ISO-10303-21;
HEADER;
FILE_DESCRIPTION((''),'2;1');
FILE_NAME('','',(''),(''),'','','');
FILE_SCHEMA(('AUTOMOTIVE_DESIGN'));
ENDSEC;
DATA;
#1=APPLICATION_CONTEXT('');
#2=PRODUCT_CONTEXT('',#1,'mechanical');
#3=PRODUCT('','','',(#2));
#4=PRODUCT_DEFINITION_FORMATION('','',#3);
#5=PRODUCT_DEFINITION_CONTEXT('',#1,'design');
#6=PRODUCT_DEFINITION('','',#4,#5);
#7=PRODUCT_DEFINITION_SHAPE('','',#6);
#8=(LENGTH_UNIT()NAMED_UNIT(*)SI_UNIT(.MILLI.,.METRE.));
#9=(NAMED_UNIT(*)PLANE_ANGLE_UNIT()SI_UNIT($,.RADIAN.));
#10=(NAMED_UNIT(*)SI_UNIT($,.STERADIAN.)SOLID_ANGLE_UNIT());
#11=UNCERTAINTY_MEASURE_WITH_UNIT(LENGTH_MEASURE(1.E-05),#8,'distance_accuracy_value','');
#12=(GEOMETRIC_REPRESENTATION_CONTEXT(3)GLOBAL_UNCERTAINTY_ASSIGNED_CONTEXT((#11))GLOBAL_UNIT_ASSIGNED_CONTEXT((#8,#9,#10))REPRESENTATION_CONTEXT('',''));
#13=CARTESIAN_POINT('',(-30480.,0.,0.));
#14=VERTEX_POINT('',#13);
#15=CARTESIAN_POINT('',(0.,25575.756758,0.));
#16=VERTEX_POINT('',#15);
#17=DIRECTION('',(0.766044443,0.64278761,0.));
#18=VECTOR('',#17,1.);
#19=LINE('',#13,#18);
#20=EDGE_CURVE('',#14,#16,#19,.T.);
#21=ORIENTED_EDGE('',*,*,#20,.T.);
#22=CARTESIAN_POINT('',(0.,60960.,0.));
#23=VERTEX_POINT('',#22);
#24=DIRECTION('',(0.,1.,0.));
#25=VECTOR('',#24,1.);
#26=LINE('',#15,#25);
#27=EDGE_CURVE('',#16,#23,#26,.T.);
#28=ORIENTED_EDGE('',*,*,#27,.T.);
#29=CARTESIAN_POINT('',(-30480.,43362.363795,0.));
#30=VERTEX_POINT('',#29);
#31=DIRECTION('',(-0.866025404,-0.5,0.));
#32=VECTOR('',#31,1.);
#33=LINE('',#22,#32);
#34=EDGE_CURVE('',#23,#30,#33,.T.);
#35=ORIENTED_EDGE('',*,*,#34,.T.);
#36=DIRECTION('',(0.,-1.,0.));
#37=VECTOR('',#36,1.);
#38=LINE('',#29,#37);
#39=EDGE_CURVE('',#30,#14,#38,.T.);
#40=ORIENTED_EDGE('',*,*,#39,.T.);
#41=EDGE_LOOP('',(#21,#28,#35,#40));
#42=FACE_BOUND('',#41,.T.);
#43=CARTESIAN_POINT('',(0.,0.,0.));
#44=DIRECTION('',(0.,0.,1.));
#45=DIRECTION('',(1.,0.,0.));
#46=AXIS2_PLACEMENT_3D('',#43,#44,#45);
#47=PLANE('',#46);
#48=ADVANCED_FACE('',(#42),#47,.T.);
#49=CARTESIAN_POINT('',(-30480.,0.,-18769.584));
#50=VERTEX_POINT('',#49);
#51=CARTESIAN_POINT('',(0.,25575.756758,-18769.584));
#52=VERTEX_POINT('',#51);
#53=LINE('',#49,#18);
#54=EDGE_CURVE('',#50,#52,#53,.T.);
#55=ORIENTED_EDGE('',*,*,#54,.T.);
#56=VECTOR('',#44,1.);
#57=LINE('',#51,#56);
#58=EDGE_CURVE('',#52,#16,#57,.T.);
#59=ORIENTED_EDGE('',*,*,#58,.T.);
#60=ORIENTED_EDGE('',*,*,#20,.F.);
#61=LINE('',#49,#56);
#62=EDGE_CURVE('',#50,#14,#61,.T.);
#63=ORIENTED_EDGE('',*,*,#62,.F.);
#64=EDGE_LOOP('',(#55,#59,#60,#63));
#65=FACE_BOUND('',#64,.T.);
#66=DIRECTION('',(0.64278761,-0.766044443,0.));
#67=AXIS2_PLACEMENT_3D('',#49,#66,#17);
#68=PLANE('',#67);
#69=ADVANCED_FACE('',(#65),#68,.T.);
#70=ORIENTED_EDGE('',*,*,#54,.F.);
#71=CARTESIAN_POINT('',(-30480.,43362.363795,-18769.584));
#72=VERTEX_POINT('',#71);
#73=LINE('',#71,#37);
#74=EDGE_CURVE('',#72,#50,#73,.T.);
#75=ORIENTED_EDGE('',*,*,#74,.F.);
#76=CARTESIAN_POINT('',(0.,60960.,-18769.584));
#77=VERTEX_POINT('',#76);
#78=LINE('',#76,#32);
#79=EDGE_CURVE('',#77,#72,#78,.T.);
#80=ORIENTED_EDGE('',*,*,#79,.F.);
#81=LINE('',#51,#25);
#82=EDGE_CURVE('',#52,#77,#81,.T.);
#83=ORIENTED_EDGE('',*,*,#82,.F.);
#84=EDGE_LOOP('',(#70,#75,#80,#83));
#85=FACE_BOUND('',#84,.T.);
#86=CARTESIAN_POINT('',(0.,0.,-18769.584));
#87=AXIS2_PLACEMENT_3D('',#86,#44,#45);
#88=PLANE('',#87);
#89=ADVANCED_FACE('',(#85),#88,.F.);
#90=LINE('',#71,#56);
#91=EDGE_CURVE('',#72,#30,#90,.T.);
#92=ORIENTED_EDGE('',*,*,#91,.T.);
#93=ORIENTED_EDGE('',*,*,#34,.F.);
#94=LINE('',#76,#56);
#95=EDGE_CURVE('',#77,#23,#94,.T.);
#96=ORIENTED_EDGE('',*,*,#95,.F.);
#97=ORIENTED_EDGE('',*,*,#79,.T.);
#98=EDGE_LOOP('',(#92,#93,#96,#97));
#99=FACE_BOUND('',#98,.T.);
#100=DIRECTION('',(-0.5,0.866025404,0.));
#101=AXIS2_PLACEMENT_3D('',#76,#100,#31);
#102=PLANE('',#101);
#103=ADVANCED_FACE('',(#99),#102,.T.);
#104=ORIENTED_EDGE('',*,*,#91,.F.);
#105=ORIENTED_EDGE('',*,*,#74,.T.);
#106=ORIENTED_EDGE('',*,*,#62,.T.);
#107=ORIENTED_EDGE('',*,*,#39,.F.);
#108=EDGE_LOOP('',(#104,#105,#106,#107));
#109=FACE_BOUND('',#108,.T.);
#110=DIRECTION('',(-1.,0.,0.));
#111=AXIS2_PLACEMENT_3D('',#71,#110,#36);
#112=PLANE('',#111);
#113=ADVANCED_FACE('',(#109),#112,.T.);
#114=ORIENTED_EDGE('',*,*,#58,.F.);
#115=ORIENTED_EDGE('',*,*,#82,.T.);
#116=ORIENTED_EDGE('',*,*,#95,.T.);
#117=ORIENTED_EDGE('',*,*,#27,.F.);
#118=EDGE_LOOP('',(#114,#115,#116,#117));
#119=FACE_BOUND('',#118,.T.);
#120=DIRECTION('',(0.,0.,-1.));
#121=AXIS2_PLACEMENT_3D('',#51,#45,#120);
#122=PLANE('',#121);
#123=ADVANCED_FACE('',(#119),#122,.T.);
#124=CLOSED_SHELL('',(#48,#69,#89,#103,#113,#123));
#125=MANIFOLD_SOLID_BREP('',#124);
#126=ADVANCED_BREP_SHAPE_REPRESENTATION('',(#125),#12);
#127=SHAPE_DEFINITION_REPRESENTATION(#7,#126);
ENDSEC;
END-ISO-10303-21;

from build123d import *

# Parameters (mm, degrees)
BOSS_EXTRUDE1_DEPTH = 18769.584


with BuildPart() as part:
    # Sketch1 → Boss-Extrude1 (new body)
    with BuildSketch(Plane.XY):
        Polygon((0, 25575.756758283), (0, 60960), (-30480, 43362.3637951), (-30480, 0), align=None)
    extrude(amount=-BOSS_EXTRUDE1_DEPTH)


solid = part.part
